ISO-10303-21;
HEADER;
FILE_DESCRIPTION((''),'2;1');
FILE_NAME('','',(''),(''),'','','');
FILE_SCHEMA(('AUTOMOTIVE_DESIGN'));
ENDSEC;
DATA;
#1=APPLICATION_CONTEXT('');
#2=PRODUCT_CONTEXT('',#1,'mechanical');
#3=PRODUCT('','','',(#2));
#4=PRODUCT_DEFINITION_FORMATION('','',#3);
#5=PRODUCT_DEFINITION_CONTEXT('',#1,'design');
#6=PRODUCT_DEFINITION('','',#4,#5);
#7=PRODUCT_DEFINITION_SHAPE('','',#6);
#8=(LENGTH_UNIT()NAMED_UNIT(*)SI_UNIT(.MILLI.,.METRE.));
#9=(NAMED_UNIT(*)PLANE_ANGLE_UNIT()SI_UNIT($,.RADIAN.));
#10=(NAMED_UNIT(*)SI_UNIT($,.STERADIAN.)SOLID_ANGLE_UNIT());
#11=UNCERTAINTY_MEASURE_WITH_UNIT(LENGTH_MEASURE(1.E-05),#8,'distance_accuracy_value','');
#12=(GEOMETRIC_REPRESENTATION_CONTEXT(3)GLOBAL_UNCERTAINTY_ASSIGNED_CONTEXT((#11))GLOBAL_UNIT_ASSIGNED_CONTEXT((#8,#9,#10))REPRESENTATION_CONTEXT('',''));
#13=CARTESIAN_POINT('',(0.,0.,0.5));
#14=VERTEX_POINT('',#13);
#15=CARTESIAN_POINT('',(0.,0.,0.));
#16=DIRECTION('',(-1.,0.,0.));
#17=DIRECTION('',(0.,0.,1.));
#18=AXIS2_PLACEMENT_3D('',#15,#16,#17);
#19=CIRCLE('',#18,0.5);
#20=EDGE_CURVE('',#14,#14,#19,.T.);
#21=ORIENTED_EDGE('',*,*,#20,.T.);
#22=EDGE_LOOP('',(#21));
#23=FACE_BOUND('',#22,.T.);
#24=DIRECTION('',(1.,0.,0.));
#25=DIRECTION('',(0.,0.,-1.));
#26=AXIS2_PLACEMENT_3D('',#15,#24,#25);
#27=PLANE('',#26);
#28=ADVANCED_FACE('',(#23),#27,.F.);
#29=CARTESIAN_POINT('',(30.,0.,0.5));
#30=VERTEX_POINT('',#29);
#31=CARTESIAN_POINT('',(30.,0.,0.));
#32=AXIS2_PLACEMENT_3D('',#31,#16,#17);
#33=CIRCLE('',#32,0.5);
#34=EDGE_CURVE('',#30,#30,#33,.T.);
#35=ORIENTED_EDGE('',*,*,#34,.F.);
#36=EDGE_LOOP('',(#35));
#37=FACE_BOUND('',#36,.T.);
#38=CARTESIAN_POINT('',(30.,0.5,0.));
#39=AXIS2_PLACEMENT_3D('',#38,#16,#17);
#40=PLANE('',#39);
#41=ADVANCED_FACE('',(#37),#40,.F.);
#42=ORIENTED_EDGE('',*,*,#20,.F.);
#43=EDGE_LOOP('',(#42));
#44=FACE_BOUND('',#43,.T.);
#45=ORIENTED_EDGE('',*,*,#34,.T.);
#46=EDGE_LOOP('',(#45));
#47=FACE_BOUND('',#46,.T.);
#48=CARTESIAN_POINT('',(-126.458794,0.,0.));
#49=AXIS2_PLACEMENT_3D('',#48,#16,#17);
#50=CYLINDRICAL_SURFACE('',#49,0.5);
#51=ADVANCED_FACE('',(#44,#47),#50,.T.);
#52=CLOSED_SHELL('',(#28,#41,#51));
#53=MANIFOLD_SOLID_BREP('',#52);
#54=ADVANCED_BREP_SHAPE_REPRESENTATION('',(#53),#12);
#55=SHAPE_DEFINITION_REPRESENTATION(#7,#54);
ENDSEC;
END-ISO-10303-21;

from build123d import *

# Parameters (mm, degrees)
SKETCH_1_W = 30
SKETCH_1_H = 0.5


with BuildPart() as part:
    # 草图1 → 旋转1 (revolve)
    with BuildSketch(Plane.XY, mode=Mode.PRIVATE) as revolve_1_sk:
        with Locations((15, 0.25)):
            Rectangle(SKETCH_1_W, SKETCH_1_H)
    revolve(revolve_1_sk.sketch.rotate(Axis((-126.458793885, 0, 0), (1, 0, 0)), 90), axis=Axis((-126.458793885, 0, 0), (1, 0, 0)))


solid = part.part
